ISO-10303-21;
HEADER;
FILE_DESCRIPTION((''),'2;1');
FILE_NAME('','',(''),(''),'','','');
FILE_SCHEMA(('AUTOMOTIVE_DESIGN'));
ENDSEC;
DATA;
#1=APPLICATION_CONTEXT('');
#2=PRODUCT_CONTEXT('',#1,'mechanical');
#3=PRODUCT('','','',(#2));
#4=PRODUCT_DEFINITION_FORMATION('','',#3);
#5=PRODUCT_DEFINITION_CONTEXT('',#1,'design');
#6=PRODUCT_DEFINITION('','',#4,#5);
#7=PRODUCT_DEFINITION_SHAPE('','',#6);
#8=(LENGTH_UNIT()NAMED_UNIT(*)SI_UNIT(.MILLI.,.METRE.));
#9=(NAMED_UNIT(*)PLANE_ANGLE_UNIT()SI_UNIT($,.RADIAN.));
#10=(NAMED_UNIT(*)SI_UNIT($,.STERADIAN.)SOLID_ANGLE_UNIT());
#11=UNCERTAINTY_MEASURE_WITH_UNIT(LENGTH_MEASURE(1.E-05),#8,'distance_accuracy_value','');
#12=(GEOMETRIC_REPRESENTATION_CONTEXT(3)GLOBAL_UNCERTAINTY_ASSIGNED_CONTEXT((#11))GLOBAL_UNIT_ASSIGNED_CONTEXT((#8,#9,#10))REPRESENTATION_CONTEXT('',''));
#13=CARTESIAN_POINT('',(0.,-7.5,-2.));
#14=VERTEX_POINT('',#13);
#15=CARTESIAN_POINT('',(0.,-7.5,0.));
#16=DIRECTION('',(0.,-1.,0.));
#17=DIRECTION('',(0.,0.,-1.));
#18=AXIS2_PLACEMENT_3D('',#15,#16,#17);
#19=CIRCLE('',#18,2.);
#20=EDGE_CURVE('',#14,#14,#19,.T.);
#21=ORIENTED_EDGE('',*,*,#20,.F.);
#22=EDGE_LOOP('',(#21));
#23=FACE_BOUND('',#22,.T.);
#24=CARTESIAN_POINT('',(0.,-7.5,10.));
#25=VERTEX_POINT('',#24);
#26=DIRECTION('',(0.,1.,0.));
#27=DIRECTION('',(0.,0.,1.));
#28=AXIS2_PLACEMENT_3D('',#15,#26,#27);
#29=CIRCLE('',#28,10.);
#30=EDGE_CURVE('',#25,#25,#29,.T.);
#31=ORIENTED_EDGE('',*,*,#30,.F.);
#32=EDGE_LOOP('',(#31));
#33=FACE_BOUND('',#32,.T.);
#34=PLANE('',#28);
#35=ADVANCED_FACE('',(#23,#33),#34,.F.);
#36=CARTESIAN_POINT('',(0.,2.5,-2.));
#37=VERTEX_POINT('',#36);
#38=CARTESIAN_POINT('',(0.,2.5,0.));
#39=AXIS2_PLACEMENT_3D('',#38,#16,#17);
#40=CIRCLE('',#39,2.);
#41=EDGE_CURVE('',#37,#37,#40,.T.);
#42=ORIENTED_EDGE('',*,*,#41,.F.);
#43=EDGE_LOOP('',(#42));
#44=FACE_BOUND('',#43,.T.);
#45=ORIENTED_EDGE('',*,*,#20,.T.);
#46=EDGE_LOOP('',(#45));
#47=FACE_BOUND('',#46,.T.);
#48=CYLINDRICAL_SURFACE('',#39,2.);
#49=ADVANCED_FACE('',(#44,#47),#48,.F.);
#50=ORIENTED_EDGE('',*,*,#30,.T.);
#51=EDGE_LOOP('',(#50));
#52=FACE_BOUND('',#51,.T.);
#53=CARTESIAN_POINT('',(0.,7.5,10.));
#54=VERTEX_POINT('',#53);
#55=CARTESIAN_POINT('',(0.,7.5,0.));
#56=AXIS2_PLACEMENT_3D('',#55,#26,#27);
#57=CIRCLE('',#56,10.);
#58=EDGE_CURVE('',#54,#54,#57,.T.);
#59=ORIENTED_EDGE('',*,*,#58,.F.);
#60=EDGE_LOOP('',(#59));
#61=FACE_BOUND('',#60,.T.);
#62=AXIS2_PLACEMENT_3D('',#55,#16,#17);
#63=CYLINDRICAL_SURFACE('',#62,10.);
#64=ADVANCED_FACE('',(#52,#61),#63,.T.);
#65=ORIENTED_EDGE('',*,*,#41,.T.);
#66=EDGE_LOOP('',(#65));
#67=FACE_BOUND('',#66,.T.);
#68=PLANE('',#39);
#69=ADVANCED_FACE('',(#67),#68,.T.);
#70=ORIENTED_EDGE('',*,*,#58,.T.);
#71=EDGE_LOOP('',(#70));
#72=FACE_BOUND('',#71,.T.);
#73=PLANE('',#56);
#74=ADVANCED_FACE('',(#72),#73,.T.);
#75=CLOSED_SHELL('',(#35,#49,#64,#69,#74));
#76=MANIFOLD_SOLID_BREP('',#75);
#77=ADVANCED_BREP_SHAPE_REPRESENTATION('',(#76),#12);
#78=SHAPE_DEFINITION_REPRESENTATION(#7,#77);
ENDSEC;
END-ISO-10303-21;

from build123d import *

# Parameters (mm, degrees)
SKETCH1_R           = 10
BOSS_EXTRUDE1_DEPTH = 7.5
SKETCH2_R           = 2
CUT_EXTRUDE1_DEPTH  = 10


with BuildPart() as part:
    # Sketch1 → Boss-Extrude1 (new, symmetric)
    with BuildSketch(Plane(origin=(0, 0, 0), x_dir=(1, 0, 0), z_dir=(0, 1, 0))):
        with Locations(Location((0, 0, 0), (0, 0, 270))):
            Circle(SKETCH1_R)
    extrude(amount=BOSS_EXTRUDE1_DEPTH, both=True)

    # Sketch2 → Cut-Extrude1 (cut)
    with BuildSketch(Plane.XZ.offset(7.5)):
        with Locations(Location((0, 0, 0), (0, 0, 270))):
            Circle(SKETCH2_R)
    extrude(amount=-CUT_EXTRUDE1_DEPTH, mode=Mode.SUBTRACT)


solid = part.part
